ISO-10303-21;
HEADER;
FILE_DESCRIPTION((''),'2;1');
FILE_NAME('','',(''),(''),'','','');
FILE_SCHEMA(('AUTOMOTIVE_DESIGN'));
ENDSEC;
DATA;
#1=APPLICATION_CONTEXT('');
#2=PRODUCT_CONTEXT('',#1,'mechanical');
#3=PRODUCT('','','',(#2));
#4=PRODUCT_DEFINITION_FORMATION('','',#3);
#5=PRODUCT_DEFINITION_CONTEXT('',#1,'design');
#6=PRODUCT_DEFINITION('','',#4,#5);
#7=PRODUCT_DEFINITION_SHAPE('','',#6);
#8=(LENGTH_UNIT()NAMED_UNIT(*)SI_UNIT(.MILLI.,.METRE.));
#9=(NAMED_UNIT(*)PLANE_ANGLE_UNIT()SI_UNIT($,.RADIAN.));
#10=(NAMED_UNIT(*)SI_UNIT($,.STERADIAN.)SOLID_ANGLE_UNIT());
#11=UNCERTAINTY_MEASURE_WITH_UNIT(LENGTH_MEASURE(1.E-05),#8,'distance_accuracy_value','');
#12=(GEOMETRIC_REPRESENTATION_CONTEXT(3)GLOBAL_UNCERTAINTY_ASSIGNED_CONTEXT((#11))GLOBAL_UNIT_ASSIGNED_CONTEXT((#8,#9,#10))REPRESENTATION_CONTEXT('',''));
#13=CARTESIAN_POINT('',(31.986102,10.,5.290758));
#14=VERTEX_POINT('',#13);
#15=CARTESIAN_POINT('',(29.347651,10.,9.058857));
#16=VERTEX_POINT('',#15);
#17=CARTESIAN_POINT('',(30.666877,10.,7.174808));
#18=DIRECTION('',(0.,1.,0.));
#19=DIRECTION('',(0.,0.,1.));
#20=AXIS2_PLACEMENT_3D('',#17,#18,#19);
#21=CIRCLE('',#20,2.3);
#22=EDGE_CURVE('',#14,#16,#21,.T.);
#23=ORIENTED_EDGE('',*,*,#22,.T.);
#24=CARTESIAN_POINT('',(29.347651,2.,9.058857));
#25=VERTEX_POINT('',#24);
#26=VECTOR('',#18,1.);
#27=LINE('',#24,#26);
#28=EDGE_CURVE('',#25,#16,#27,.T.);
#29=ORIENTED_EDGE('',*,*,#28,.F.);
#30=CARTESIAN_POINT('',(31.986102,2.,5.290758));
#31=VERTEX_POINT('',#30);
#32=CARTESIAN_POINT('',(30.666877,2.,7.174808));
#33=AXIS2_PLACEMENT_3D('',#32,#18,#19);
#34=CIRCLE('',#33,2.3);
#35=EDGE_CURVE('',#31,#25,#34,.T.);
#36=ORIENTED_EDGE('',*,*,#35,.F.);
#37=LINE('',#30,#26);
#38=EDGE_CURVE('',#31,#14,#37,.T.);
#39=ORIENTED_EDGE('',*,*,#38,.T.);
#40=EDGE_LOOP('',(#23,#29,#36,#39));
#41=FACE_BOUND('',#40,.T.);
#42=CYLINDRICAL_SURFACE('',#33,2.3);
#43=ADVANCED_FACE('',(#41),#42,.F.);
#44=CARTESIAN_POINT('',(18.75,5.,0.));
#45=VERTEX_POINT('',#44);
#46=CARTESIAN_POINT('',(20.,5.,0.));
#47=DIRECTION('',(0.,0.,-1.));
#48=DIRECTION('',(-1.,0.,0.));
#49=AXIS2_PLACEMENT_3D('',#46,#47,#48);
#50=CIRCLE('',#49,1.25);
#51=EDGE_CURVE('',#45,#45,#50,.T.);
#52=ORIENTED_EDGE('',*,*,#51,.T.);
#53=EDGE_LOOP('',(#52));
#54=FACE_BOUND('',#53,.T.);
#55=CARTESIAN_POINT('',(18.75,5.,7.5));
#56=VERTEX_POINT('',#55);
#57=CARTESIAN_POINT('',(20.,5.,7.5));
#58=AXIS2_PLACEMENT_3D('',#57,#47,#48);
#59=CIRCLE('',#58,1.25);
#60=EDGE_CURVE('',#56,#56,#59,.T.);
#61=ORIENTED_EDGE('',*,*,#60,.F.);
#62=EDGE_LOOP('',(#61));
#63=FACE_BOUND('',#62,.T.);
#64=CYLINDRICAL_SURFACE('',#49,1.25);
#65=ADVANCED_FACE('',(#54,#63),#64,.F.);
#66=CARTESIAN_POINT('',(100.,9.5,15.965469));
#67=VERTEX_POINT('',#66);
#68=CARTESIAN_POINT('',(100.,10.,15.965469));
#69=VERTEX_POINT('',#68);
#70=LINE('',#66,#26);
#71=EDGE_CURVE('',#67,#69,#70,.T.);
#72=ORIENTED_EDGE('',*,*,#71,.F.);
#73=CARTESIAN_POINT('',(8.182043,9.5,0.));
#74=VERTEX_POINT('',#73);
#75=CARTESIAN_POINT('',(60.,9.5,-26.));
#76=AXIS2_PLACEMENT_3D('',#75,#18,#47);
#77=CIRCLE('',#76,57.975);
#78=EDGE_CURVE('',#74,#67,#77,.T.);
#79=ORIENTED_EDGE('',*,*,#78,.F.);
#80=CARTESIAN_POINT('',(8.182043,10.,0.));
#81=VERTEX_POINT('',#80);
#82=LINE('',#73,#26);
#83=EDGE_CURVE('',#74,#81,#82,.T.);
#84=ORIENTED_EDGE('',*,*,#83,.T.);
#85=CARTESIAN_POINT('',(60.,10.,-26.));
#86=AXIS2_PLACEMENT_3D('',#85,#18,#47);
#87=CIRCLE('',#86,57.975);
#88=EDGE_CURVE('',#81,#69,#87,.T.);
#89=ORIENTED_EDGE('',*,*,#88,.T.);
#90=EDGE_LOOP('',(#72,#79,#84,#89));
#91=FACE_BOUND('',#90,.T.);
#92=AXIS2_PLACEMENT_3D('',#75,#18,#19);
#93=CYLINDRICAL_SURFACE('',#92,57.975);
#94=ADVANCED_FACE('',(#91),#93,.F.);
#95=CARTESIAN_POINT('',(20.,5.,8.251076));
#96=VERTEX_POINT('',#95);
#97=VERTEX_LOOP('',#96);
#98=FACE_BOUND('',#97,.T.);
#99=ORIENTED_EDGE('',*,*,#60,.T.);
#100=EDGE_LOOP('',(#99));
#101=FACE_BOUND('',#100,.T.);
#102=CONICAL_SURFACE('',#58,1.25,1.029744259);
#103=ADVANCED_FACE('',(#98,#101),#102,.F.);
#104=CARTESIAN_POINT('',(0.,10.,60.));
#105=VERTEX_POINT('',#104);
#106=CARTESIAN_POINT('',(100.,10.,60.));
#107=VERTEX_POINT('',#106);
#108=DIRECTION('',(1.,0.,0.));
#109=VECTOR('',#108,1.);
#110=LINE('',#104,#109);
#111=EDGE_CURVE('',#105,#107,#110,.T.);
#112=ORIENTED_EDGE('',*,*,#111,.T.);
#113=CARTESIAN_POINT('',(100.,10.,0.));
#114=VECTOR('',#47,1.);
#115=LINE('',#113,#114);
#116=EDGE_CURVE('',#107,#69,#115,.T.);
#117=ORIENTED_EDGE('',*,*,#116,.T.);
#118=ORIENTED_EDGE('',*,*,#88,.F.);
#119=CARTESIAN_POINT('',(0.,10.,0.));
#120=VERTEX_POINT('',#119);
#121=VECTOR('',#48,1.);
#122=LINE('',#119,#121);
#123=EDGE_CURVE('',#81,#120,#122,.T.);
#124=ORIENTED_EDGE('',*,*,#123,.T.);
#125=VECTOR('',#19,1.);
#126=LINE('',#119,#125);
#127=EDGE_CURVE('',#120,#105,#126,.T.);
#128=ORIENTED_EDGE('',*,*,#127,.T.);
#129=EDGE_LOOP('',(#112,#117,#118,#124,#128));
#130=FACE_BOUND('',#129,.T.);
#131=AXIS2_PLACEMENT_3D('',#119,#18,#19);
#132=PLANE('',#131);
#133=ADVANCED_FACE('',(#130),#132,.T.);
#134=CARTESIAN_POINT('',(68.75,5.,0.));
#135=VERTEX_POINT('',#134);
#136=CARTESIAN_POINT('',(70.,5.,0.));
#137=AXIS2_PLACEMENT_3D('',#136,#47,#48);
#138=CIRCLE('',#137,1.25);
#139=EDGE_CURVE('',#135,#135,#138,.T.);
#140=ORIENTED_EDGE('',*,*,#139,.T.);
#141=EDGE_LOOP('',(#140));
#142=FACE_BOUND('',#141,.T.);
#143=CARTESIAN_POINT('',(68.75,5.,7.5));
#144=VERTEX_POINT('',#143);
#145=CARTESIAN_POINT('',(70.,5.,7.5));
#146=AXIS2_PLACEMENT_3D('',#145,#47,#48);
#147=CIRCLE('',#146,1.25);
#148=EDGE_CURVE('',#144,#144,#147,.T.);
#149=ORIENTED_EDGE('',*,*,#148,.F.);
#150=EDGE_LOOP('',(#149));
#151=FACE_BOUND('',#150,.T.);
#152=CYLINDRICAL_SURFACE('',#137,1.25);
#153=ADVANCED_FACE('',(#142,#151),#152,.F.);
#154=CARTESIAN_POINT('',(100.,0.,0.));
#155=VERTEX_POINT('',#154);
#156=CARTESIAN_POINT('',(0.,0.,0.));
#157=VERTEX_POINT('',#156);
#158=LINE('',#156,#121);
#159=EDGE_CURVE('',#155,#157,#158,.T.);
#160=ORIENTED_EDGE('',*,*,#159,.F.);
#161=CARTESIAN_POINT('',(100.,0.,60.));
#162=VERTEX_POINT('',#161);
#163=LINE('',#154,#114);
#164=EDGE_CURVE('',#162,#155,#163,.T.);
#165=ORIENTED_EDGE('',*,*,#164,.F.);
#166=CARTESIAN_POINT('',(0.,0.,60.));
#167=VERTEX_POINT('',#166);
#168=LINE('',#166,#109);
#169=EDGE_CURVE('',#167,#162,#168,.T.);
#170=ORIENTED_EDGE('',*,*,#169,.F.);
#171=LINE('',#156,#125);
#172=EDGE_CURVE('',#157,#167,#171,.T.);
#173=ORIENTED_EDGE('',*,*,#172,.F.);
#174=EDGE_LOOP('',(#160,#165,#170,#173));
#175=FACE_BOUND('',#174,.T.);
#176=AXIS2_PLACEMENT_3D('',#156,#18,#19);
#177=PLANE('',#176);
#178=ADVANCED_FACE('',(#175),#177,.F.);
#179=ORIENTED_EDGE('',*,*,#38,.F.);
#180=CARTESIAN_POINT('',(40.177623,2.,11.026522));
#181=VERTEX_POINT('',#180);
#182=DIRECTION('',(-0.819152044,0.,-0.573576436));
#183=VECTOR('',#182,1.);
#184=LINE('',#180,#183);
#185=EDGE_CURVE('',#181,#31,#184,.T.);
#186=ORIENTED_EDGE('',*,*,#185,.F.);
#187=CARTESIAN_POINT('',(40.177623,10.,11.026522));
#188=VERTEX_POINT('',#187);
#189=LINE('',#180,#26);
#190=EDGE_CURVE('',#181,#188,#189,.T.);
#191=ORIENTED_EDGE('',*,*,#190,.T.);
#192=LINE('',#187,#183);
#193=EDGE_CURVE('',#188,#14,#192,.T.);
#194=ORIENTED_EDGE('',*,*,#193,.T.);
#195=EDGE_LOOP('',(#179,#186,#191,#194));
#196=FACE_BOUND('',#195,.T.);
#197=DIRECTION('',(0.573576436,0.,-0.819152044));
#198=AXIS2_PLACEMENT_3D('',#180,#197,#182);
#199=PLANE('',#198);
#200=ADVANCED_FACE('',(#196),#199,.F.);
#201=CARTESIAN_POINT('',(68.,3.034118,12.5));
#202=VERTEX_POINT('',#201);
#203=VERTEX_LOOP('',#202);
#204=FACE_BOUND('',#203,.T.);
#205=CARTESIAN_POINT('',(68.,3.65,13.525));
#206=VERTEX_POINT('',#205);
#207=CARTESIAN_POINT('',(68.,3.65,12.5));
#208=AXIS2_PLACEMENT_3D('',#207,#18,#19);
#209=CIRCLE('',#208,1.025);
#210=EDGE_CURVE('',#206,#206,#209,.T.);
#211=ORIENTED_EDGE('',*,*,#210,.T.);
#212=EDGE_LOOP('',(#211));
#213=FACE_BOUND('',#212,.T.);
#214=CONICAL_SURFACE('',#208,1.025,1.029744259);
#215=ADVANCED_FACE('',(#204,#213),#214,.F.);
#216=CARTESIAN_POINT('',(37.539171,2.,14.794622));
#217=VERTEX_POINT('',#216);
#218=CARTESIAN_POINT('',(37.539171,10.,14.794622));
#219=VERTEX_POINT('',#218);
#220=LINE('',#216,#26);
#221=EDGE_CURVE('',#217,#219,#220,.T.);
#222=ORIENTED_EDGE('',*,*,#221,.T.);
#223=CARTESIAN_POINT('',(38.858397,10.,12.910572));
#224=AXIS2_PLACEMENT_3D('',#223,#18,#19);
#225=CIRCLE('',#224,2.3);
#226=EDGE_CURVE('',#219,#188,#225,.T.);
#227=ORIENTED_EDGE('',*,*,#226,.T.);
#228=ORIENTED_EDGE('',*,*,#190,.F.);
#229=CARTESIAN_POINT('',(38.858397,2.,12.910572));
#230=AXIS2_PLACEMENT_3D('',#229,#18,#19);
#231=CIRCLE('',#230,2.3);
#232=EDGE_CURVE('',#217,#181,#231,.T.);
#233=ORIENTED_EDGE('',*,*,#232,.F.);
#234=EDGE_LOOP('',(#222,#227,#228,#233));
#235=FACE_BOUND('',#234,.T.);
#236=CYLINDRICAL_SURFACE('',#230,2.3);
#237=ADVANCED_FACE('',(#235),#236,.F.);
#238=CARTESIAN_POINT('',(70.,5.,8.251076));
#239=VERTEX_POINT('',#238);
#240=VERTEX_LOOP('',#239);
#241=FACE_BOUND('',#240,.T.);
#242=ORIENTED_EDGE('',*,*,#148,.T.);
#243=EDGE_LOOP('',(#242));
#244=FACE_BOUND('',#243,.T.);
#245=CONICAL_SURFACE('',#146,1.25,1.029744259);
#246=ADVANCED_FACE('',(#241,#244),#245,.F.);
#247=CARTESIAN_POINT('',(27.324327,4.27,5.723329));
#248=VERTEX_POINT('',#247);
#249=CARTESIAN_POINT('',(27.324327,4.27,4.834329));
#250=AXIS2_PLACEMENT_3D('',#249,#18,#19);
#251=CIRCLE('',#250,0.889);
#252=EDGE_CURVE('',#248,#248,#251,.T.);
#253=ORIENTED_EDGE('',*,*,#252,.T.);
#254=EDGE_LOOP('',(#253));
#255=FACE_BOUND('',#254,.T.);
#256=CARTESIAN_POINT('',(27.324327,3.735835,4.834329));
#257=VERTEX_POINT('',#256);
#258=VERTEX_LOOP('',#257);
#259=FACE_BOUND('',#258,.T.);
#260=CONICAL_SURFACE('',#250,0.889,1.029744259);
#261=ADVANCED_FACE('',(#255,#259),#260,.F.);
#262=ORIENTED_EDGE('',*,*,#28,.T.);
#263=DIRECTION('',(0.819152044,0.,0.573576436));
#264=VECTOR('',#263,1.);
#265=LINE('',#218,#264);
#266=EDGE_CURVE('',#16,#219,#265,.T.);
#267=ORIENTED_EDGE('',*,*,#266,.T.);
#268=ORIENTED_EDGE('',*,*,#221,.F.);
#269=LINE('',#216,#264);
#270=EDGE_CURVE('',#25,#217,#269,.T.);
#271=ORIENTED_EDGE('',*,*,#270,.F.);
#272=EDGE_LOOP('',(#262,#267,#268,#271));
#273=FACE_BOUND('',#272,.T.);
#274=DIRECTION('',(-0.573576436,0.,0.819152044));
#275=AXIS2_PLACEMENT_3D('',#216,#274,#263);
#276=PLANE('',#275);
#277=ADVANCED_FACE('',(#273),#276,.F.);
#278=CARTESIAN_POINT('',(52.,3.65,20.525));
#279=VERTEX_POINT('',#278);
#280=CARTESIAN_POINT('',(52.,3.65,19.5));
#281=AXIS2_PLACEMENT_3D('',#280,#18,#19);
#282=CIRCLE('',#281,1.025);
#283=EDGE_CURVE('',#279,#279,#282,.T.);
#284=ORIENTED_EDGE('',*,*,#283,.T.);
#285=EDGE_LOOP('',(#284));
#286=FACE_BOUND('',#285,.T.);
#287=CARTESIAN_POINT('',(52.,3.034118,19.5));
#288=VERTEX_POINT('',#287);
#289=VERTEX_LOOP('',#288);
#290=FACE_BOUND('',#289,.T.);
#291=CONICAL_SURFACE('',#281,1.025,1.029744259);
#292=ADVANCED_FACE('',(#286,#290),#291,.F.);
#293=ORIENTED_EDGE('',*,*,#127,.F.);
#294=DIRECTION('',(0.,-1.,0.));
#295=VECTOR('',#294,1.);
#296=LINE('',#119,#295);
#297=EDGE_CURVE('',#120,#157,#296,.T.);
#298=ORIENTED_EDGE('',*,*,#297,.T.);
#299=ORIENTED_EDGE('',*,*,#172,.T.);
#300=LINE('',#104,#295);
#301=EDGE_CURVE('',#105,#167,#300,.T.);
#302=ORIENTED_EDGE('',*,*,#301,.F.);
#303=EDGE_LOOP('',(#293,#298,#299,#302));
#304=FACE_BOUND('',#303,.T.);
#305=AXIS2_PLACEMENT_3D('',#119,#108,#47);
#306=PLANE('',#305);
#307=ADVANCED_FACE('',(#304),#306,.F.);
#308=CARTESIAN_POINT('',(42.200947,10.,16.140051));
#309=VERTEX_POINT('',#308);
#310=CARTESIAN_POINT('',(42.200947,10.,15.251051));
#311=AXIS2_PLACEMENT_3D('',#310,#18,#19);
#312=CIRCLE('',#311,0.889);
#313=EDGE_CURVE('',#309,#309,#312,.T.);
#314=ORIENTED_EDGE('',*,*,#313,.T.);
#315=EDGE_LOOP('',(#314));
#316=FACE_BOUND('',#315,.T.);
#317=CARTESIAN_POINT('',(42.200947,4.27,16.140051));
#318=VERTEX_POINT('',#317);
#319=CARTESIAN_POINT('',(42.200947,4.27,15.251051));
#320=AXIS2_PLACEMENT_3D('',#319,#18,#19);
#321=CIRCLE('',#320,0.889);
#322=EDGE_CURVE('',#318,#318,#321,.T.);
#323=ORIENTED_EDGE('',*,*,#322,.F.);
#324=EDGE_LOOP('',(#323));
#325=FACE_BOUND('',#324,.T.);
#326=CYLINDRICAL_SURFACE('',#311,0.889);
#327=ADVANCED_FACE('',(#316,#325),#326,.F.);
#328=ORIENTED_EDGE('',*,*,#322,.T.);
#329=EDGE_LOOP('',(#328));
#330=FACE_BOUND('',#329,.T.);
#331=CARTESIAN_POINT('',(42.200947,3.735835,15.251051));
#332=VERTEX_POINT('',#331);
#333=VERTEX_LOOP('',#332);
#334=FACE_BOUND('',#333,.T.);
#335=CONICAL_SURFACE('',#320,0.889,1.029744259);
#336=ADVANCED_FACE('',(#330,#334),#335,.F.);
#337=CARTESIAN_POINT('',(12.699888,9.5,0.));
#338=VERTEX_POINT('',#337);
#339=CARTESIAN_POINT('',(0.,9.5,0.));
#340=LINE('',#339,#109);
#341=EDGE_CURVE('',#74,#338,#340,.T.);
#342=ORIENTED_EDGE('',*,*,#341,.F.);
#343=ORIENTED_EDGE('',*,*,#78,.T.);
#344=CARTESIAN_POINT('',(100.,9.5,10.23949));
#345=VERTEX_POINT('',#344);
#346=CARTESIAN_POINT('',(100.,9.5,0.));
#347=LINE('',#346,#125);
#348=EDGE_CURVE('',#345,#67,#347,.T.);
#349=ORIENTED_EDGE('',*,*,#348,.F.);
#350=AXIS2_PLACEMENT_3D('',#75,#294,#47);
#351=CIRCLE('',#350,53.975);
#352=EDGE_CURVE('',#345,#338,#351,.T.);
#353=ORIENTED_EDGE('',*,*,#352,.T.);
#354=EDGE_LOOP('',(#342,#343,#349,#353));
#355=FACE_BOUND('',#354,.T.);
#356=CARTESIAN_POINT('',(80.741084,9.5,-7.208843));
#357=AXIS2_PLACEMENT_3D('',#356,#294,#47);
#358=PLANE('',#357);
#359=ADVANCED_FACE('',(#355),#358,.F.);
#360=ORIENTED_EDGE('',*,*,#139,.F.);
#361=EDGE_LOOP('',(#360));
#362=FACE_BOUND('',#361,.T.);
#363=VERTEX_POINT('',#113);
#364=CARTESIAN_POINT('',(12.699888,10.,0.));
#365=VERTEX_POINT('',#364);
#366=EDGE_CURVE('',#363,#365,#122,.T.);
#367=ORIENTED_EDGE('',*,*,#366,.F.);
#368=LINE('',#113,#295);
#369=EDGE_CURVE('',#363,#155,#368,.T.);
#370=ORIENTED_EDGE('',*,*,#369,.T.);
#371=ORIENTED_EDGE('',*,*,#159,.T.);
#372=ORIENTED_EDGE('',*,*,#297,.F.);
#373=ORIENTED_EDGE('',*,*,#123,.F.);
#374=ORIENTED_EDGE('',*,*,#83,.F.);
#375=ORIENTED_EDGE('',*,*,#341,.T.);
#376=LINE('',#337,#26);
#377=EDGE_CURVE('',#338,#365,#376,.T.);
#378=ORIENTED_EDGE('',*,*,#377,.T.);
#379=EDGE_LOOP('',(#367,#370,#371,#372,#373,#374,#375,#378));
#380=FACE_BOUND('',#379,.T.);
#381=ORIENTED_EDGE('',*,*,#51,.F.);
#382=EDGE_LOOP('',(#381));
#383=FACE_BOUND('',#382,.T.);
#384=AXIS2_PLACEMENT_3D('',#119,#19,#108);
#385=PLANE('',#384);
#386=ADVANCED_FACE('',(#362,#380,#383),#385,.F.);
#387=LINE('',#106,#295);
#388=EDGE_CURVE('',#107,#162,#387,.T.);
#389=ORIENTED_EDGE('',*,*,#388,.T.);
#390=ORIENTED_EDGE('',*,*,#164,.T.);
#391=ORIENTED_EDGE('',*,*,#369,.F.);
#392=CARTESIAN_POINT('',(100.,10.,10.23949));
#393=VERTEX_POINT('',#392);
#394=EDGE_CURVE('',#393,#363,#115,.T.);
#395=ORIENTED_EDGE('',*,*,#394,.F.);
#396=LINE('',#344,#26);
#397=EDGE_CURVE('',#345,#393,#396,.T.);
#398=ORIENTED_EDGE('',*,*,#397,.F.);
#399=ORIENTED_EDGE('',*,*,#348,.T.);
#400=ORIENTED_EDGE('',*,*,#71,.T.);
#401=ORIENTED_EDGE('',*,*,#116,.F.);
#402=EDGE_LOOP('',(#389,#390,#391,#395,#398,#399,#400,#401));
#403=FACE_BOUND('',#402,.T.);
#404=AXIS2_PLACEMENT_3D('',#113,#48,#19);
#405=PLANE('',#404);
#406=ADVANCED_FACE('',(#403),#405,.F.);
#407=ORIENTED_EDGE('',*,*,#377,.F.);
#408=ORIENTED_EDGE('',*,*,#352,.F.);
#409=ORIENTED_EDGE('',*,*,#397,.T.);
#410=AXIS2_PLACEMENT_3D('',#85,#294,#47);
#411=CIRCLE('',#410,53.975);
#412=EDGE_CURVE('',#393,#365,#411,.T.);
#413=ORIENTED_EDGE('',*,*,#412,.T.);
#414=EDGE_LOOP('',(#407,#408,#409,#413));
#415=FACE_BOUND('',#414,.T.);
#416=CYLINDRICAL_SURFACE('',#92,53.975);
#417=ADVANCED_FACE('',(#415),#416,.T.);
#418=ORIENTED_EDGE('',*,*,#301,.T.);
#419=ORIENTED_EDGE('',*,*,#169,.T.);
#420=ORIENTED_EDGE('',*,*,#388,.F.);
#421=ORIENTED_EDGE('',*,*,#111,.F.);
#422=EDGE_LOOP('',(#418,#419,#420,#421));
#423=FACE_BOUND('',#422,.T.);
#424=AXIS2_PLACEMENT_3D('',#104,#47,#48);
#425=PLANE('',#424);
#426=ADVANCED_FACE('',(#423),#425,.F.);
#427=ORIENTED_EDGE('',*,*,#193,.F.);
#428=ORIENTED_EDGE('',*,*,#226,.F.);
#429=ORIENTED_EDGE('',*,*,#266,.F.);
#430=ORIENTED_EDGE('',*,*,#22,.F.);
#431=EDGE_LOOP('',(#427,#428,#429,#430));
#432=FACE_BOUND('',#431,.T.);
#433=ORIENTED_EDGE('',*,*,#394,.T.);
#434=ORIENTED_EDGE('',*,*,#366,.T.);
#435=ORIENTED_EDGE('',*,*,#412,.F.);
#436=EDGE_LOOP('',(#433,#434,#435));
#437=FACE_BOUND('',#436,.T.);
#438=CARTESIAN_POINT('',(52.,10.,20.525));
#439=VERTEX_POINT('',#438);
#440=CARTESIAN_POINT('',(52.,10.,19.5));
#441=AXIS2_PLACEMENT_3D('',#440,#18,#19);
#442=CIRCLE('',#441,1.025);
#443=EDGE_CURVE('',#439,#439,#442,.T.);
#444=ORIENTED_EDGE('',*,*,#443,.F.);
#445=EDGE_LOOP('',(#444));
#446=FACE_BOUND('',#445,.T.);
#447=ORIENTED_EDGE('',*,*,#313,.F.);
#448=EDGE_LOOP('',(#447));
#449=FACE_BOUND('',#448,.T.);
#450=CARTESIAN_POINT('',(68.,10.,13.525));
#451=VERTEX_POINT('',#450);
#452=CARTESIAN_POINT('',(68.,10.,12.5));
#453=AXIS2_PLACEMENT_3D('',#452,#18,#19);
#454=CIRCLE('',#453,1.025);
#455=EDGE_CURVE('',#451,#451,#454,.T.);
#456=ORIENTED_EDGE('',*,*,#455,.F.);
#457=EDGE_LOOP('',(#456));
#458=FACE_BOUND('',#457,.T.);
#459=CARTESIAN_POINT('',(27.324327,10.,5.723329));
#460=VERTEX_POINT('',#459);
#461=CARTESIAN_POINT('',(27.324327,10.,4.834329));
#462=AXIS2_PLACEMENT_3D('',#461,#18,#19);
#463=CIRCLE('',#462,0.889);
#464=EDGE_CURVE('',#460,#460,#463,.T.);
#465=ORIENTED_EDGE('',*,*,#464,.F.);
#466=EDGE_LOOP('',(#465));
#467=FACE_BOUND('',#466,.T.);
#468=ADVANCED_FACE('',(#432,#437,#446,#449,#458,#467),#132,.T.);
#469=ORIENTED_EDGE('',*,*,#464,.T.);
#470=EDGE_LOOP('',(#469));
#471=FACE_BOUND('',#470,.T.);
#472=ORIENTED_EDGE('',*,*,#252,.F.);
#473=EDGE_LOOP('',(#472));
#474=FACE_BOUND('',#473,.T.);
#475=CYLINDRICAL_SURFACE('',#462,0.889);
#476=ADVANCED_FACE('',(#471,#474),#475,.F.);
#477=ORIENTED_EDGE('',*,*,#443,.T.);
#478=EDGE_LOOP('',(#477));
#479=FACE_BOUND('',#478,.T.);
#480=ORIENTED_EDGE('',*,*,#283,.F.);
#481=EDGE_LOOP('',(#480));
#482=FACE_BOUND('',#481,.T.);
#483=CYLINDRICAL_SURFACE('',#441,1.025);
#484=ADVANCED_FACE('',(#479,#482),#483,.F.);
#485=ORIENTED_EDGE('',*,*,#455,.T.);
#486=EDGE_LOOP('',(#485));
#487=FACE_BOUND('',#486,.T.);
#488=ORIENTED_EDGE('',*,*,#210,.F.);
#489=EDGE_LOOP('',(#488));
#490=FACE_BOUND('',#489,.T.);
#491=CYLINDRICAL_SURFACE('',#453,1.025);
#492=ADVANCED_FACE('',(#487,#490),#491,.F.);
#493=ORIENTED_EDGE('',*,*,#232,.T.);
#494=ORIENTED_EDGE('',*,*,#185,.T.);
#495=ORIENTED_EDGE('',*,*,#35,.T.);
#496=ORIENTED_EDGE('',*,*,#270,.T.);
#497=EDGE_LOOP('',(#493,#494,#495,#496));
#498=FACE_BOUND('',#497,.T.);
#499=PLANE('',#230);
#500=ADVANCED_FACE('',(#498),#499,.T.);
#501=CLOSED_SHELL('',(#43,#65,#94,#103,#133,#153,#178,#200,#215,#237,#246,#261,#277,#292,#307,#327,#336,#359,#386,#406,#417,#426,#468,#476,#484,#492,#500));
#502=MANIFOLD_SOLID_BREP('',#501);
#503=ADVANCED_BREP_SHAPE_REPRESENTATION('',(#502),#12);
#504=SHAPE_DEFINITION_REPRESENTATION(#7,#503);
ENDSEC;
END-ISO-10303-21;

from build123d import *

# Parameters (mm, degrees)
SKETCH1_W                    = 100
SKETCH1_H                    = 60
BOSS_EXTRUDE1_DEPTH          = 10
M2_5X0_45_TAPPED_HOLE1_D     = 2.05
M2_5X0_45_TAPPED_HOLE1_DEPTH = 6.35
M2_5X0_45_TAPPED_HOLE1_TIP   = 0.615882135
F_2_56_TAPPED_HOLE1_D        = 1.778
F_2_56_TAPPED_HOLE1_DEPTH    = 5.73
F_2_56_TAPPED_HOLE1_TIP      = 0.53416509
CUT_EXTRUDE2_DEPTH           = 8
M3X0_5_TAPPED_HOLE2_D        = 2.5
M3X0_5_TAPPED_HOLE2_DEPTH    = 7.5
M3X0_5_TAPPED_HOLE2_TIP      = 0.751075774
CUT_EXTRUDE3_DEPTH           = 0.5


with BuildPart() as part:
    # Sketch1 → Boss-Extrude1 (new body)
    with BuildSketch(Plane(origin=(0, 0, 0), x_dir=(1, 0, 0), z_dir=(0, 1, 0))):
        with Locations((50, -30)):
            Rectangle(SKETCH1_W, SKETCH1_H)
    extrude(amount=BOSS_EXTRUDE1_DEPTH)

    # M2.5x0.45 Tapped Hole1
    with Locations(Plane(origin=(0, 10, 0), x_dir=(1, 0, 0), z_dir=(0, 1, 0))):
        with Locations((52, -19.5), (68, -12.5)):
            Hole(M2_5X0_45_TAPPED_HOLE1_D / 2, depth=M2_5X0_45_TAPPED_HOLE1_DEPTH)
            with Locations((0, 0, -(M2_5X0_45_TAPPED_HOLE1_DEPTH + M2_5X0_45_TAPPED_HOLE1_TIP / 2))):  # 118° drill point
                Cone(0, M2_5X0_45_TAPPED_HOLE1_D / 2, M2_5X0_45_TAPPED_HOLE1_TIP, mode=Mode.SUBTRACT)

    # #2-56 Tapped Hole1
    with Locations(Plane(origin=(0, 10, 0), x_dir=(1, 0, 0), z_dir=(0, 1, 0))):
        with Locations((42.200946939, -15.251050779), (27.324326662, -4.834329118)):
            Hole(F_2_56_TAPPED_HOLE1_D / 2, depth=F_2_56_TAPPED_HOLE1_DEPTH)
            with Locations((0, 0, -(F_2_56_TAPPED_HOLE1_DEPTH + F_2_56_TAPPED_HOLE1_TIP / 2))):  # 118° drill point
                Cone(0, F_2_56_TAPPED_HOLE1_D / 2, F_2_56_TAPPED_HOLE1_TIP, mode=Mode.SUBTRACT)

    # Sketch6 → Cut-Extrude2 (cut)
    with BuildSketch(Plane(origin=(0, 10, 0), x_dir=(1, 0, 0), z_dir=(0, 1, 0))):
        with BuildLine():
            Line((37.539171218, -14.794621832), (29.347650776, -9.058857469))
            ThreePointArc((29.347650776, -9.058857469), (28.782826877, -5.855581963), (31.986102383, -5.290758065))
            Line((31.986102383, -5.290758065), (40.177622826, -11.026522429))
            ThreePointArc((40.177622826, -11.026522429), (40.742446724, -14.229797934), (37.539171218, -14.794621832))
        make_face()
    extrude(amount=-CUT_EXTRUDE2_DEPTH, mode=Mode.SUBTRACT)

    # M3x0.5 Tapped Hole2
    with Locations(Plane(origin=(0, 0, 0), x_dir=(-1, 0, 0), z_dir=(0, 0, -1))):
        with Locations((-20, 5), (-70, 5)):
            Hole(M3X0_5_TAPPED_HOLE2_D / 2, depth=M3X0_5_TAPPED_HOLE2_DEPTH)
            with Locations((0, 0, -(M3X0_5_TAPPED_HOLE2_DEPTH + M3X0_5_TAPPED_HOLE2_TIP / 2))):  # 118° drill point
                Cone(0, M3X0_5_TAPPED_HOLE2_D / 2, M3X0_5_TAPPED_HOLE2_TIP, mode=Mode.SUBTRACT)

    # Sketch12 → Cut-Extrude3 (cut)
    with BuildSketch(Plane(origin=(0, 10, 0), x_dir=(1, 0, 0), z_dir=(0, 1, 0))):
        with BuildLine():
            ThreePointArc((100, -10.239489856), (52.707108631, -27.480037028), (11.757236622, 1.793876671))
            ThreePointArc((11.757236622, 1.793876671), (9.072701681, 2.684534941), (8.182043412, 0))
            ThreePointArc((8.182043412, 0), (52.166644241, -31.443356122), (102.96433534, -12.925139868))
            ThreePointArc((102.96433534, -12.925139868), (102.824992676, -10.100147192), (100, -10.239489856))
        make_face()
    extrude(amount=-CUT_EXTRUDE3_DEPTH, mode=Mode.SUBTRACT)


solid = part.part
